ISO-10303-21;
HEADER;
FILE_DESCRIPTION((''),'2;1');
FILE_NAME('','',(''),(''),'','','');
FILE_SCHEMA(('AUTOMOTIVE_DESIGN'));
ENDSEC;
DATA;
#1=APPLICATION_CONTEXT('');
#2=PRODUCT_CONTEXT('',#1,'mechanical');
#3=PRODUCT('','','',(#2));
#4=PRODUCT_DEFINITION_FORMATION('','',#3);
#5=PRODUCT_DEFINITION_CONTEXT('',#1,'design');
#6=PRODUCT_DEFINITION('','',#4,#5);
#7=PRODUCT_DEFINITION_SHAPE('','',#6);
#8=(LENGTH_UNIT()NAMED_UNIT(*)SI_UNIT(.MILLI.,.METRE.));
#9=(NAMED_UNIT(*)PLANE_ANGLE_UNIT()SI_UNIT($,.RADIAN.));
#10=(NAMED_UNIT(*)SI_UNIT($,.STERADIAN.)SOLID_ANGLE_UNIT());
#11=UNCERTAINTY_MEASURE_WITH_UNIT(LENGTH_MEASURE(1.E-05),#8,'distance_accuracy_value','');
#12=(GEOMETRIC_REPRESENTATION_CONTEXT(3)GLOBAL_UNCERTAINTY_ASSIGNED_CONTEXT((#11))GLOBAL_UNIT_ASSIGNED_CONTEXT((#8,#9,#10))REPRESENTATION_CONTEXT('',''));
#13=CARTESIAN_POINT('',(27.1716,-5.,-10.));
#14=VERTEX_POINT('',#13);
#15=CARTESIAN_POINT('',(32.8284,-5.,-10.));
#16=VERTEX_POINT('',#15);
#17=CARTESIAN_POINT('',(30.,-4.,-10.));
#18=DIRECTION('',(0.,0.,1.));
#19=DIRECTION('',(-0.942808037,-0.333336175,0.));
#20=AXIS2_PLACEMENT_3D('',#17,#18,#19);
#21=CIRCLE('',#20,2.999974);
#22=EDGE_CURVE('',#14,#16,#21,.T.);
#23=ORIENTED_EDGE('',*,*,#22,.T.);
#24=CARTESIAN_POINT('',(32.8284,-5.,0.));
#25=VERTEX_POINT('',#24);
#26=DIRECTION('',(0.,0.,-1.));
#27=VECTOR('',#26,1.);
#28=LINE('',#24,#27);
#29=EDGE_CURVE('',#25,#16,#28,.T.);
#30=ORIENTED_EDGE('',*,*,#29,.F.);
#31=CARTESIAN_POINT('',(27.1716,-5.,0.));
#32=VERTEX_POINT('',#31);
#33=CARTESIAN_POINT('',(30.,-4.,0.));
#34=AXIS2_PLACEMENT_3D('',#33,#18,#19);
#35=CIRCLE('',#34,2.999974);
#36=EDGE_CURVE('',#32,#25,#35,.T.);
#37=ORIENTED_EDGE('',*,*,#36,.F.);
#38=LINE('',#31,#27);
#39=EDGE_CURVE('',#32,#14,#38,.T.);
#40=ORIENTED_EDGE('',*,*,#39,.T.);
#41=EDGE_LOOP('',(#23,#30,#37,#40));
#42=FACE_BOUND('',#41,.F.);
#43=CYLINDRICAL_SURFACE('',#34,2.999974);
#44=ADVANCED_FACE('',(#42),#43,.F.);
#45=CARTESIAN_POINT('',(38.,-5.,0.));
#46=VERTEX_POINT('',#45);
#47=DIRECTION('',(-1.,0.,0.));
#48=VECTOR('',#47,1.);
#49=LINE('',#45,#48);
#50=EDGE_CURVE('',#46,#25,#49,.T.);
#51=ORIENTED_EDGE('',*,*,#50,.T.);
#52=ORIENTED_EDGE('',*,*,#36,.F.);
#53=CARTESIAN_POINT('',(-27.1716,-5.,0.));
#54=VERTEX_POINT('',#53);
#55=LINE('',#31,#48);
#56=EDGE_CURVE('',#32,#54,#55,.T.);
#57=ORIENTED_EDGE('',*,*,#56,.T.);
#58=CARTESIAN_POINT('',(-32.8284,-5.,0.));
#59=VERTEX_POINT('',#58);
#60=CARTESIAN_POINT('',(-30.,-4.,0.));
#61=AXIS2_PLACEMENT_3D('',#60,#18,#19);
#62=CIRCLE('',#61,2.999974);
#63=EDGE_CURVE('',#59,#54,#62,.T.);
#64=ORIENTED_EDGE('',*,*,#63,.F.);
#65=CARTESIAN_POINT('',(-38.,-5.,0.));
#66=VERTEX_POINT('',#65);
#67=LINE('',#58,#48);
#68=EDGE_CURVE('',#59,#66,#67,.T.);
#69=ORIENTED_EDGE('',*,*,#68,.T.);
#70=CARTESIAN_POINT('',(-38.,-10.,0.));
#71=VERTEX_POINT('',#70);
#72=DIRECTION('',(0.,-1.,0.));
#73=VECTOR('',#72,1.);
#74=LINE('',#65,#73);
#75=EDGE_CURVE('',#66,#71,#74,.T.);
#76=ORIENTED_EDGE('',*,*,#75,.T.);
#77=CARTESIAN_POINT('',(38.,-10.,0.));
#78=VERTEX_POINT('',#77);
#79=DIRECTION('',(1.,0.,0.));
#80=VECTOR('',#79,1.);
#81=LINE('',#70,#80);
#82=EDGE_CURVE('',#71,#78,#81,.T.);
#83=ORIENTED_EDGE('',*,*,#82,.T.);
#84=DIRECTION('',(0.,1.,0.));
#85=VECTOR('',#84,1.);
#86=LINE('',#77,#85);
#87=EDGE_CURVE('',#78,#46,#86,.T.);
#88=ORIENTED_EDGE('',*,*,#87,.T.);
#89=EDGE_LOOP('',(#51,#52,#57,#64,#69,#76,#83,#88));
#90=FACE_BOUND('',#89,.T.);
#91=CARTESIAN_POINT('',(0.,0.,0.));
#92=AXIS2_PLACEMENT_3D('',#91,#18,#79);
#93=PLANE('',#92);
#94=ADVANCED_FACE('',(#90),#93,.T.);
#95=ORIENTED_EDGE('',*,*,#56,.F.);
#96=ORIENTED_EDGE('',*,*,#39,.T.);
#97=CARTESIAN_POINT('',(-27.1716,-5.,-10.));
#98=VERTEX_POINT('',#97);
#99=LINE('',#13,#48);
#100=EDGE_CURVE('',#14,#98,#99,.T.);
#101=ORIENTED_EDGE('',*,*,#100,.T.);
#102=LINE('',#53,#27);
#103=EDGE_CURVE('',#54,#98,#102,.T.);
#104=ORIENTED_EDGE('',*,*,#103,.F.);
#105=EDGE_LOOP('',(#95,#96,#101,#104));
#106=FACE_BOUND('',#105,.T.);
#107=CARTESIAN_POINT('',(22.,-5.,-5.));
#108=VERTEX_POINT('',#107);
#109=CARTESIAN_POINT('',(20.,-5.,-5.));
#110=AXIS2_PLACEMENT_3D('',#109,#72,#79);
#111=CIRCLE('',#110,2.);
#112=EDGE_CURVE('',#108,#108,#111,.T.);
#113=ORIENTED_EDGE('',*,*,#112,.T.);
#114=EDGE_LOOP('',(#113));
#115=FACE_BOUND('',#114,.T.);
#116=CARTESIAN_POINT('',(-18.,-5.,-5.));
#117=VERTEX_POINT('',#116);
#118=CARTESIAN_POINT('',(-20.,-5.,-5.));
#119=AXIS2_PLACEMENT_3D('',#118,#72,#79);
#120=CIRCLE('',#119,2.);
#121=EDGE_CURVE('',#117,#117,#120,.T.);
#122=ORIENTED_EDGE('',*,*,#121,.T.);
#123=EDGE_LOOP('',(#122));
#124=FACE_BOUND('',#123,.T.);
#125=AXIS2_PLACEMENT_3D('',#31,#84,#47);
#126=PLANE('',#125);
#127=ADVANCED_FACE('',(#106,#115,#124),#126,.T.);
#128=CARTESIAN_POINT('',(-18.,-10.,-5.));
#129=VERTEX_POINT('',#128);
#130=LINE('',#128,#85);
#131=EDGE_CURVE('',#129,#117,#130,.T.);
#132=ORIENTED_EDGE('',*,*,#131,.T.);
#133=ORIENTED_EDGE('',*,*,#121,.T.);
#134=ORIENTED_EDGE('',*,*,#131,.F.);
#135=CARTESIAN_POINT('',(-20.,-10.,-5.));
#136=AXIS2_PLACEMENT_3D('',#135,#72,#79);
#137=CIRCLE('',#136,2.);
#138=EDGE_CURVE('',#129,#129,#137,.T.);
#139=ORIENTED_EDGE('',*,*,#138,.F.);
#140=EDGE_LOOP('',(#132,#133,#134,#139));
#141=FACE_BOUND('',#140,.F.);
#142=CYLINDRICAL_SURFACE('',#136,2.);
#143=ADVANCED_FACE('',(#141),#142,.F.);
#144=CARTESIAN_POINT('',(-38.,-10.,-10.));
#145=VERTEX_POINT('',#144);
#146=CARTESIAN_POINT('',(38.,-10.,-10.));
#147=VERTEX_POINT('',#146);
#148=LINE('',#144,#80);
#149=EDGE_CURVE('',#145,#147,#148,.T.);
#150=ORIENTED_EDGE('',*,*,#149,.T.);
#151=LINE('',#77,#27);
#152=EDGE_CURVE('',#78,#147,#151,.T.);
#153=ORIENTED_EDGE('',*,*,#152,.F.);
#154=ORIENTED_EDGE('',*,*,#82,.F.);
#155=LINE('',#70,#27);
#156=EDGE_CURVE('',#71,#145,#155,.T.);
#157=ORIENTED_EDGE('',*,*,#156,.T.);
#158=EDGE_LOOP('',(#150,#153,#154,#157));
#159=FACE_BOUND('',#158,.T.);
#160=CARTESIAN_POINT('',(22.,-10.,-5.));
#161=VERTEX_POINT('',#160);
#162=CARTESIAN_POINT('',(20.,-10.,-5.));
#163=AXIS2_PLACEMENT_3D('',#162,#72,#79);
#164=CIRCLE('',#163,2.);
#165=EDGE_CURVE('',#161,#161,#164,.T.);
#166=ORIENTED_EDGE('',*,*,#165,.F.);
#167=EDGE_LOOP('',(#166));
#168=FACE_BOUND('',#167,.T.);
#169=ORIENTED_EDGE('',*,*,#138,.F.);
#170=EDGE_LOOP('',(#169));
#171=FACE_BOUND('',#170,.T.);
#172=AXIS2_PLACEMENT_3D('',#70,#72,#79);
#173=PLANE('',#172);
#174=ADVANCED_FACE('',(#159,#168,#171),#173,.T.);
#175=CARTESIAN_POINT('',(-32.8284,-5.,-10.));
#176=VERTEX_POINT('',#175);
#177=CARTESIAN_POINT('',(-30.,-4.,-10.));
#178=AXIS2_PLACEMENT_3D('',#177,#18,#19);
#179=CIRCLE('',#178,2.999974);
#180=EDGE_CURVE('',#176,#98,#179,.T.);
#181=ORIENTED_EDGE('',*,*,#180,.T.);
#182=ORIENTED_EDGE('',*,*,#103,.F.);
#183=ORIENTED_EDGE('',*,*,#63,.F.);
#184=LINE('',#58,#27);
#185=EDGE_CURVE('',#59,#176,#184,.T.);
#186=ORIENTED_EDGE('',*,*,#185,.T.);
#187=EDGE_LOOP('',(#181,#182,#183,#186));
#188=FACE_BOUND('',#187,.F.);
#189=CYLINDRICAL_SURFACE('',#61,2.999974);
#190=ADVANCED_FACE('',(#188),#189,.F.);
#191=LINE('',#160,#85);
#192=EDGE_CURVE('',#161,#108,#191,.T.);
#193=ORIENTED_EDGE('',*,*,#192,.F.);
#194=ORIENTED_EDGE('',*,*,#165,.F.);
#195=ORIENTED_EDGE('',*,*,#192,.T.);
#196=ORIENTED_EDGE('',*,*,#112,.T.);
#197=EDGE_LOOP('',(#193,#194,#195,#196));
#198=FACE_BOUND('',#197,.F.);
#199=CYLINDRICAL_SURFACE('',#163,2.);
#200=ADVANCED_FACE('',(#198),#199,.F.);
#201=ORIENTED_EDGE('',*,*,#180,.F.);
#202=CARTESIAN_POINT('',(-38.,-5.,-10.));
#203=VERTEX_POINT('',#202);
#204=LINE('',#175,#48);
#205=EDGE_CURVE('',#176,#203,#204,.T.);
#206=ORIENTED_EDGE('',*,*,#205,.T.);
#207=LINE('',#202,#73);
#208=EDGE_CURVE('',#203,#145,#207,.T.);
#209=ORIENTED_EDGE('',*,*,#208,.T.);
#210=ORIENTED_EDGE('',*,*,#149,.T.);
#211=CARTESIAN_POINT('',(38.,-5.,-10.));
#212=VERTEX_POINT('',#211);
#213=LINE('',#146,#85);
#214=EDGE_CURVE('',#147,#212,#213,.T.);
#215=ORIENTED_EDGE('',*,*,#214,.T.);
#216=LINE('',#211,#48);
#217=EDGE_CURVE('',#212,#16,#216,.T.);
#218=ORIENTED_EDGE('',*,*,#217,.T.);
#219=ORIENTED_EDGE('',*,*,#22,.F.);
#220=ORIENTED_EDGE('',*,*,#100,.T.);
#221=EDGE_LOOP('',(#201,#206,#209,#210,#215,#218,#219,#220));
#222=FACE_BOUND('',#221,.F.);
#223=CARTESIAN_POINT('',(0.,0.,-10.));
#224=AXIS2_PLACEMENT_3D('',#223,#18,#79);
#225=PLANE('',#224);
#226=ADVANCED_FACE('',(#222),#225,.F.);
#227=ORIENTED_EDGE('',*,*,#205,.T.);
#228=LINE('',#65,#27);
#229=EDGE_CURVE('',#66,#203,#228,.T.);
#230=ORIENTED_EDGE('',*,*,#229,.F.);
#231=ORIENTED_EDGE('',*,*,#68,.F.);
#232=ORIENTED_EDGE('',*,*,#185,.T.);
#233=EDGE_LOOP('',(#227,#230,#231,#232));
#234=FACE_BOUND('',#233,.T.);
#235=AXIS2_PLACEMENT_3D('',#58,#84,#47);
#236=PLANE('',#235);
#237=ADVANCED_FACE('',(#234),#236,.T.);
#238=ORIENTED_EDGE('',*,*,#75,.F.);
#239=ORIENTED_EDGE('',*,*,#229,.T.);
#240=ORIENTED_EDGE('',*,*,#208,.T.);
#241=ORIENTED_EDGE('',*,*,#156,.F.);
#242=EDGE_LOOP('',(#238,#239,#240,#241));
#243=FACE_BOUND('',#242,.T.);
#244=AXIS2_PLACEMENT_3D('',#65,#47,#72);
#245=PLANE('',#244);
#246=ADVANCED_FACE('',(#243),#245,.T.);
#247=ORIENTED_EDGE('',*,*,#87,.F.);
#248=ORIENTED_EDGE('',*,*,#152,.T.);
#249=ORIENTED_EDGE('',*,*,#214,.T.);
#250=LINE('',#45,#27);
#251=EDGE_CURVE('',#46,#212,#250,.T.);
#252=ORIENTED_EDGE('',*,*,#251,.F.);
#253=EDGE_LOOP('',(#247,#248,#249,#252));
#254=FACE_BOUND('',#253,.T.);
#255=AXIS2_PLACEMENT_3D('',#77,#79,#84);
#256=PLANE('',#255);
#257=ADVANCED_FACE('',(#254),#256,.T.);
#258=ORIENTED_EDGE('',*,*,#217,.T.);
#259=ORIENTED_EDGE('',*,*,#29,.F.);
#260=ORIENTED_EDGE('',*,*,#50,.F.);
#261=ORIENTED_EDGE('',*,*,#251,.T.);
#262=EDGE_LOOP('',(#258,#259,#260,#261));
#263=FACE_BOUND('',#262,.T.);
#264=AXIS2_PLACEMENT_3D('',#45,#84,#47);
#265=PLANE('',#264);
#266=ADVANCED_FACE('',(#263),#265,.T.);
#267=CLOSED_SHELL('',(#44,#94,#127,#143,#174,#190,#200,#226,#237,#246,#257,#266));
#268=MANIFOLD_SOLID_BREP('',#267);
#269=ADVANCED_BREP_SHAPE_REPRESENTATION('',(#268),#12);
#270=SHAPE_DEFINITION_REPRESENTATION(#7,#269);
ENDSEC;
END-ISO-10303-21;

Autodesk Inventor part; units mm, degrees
ref_plane "YZ Plane" through (0, 0, 0) normal (1, 0, 0) x (0, 1, 0)
ref_plane "XZ Plane" through (0, 0, 0) normal (0, 1, 0) x (-1, 0, 0)
sketch "Szkic1" plane through (0, 0, 0) normal (0, 0, 1) x (1, 0, 0)
  arc A0 (33, -4) -> (27, -4) centre (30, -4) ccw projected
  arc A1 (-27, -4) -> (-33, -4) centre (-30, -4) ccw projected
  circle A2 centre (30, -4) radius 3 construction
  circle A3 centre (-30, -4) radius 3 construction
  line L0 (-38, -5) -> (-38, -10)
  line L1 (-38, -10) -> (38, -10)
  line L2 (38, -10) -> (38, -5)
  line L3 (-38, 2) -> (-38, -4) construction
  line L4 (38, -4) -> (38, 2) construction
  arc A4 (27.1716, -5) -> (32.8284, -5) centre (30, -4) ccw
  arc A5 (-32.8284, -5) -> (-27.1716, -5) centre (-30, -4) ccw
  line L5 (-32.8284, -5) -> (-38, -5)
  line L6 (38, -5) -> (32.8284, -5)
  line L7 (27.1716, -5) -> (-27.1716, -5)
  point P0 (0, 0)
  dimension "d1" = 5
ref_plane "Płaszczyzna konstrukcyjna1" through (-38, -4, -10) normal (0, 0, -1) x (0, 1, 0)
extrude "Wyciągnięcie proste1" add sketch "Szkic1" against normal up to surface (10 mm away)
sketch "Szkic2" plane through (-38, -10, 0) normal (0, -1, 0) x (1, 0, 0)
  circle A0 centre (58, -5) radius 1.75 projected
  circle A1 centre (18, -5) radius 1.75 projected
  circle A2 centre (58, -5) radius 2
  circle A3 centre (18, -5) radius 2
  point P0 (38, 0)
  dimension "d4" = 4
  dimension "d5" = 4
extrude "Wyciągnięcie proste2" cut sketch "Szkic2" against normal up to next contours A0 | A1 | A2 | A3
properties part number "6_2xclamp_back"
